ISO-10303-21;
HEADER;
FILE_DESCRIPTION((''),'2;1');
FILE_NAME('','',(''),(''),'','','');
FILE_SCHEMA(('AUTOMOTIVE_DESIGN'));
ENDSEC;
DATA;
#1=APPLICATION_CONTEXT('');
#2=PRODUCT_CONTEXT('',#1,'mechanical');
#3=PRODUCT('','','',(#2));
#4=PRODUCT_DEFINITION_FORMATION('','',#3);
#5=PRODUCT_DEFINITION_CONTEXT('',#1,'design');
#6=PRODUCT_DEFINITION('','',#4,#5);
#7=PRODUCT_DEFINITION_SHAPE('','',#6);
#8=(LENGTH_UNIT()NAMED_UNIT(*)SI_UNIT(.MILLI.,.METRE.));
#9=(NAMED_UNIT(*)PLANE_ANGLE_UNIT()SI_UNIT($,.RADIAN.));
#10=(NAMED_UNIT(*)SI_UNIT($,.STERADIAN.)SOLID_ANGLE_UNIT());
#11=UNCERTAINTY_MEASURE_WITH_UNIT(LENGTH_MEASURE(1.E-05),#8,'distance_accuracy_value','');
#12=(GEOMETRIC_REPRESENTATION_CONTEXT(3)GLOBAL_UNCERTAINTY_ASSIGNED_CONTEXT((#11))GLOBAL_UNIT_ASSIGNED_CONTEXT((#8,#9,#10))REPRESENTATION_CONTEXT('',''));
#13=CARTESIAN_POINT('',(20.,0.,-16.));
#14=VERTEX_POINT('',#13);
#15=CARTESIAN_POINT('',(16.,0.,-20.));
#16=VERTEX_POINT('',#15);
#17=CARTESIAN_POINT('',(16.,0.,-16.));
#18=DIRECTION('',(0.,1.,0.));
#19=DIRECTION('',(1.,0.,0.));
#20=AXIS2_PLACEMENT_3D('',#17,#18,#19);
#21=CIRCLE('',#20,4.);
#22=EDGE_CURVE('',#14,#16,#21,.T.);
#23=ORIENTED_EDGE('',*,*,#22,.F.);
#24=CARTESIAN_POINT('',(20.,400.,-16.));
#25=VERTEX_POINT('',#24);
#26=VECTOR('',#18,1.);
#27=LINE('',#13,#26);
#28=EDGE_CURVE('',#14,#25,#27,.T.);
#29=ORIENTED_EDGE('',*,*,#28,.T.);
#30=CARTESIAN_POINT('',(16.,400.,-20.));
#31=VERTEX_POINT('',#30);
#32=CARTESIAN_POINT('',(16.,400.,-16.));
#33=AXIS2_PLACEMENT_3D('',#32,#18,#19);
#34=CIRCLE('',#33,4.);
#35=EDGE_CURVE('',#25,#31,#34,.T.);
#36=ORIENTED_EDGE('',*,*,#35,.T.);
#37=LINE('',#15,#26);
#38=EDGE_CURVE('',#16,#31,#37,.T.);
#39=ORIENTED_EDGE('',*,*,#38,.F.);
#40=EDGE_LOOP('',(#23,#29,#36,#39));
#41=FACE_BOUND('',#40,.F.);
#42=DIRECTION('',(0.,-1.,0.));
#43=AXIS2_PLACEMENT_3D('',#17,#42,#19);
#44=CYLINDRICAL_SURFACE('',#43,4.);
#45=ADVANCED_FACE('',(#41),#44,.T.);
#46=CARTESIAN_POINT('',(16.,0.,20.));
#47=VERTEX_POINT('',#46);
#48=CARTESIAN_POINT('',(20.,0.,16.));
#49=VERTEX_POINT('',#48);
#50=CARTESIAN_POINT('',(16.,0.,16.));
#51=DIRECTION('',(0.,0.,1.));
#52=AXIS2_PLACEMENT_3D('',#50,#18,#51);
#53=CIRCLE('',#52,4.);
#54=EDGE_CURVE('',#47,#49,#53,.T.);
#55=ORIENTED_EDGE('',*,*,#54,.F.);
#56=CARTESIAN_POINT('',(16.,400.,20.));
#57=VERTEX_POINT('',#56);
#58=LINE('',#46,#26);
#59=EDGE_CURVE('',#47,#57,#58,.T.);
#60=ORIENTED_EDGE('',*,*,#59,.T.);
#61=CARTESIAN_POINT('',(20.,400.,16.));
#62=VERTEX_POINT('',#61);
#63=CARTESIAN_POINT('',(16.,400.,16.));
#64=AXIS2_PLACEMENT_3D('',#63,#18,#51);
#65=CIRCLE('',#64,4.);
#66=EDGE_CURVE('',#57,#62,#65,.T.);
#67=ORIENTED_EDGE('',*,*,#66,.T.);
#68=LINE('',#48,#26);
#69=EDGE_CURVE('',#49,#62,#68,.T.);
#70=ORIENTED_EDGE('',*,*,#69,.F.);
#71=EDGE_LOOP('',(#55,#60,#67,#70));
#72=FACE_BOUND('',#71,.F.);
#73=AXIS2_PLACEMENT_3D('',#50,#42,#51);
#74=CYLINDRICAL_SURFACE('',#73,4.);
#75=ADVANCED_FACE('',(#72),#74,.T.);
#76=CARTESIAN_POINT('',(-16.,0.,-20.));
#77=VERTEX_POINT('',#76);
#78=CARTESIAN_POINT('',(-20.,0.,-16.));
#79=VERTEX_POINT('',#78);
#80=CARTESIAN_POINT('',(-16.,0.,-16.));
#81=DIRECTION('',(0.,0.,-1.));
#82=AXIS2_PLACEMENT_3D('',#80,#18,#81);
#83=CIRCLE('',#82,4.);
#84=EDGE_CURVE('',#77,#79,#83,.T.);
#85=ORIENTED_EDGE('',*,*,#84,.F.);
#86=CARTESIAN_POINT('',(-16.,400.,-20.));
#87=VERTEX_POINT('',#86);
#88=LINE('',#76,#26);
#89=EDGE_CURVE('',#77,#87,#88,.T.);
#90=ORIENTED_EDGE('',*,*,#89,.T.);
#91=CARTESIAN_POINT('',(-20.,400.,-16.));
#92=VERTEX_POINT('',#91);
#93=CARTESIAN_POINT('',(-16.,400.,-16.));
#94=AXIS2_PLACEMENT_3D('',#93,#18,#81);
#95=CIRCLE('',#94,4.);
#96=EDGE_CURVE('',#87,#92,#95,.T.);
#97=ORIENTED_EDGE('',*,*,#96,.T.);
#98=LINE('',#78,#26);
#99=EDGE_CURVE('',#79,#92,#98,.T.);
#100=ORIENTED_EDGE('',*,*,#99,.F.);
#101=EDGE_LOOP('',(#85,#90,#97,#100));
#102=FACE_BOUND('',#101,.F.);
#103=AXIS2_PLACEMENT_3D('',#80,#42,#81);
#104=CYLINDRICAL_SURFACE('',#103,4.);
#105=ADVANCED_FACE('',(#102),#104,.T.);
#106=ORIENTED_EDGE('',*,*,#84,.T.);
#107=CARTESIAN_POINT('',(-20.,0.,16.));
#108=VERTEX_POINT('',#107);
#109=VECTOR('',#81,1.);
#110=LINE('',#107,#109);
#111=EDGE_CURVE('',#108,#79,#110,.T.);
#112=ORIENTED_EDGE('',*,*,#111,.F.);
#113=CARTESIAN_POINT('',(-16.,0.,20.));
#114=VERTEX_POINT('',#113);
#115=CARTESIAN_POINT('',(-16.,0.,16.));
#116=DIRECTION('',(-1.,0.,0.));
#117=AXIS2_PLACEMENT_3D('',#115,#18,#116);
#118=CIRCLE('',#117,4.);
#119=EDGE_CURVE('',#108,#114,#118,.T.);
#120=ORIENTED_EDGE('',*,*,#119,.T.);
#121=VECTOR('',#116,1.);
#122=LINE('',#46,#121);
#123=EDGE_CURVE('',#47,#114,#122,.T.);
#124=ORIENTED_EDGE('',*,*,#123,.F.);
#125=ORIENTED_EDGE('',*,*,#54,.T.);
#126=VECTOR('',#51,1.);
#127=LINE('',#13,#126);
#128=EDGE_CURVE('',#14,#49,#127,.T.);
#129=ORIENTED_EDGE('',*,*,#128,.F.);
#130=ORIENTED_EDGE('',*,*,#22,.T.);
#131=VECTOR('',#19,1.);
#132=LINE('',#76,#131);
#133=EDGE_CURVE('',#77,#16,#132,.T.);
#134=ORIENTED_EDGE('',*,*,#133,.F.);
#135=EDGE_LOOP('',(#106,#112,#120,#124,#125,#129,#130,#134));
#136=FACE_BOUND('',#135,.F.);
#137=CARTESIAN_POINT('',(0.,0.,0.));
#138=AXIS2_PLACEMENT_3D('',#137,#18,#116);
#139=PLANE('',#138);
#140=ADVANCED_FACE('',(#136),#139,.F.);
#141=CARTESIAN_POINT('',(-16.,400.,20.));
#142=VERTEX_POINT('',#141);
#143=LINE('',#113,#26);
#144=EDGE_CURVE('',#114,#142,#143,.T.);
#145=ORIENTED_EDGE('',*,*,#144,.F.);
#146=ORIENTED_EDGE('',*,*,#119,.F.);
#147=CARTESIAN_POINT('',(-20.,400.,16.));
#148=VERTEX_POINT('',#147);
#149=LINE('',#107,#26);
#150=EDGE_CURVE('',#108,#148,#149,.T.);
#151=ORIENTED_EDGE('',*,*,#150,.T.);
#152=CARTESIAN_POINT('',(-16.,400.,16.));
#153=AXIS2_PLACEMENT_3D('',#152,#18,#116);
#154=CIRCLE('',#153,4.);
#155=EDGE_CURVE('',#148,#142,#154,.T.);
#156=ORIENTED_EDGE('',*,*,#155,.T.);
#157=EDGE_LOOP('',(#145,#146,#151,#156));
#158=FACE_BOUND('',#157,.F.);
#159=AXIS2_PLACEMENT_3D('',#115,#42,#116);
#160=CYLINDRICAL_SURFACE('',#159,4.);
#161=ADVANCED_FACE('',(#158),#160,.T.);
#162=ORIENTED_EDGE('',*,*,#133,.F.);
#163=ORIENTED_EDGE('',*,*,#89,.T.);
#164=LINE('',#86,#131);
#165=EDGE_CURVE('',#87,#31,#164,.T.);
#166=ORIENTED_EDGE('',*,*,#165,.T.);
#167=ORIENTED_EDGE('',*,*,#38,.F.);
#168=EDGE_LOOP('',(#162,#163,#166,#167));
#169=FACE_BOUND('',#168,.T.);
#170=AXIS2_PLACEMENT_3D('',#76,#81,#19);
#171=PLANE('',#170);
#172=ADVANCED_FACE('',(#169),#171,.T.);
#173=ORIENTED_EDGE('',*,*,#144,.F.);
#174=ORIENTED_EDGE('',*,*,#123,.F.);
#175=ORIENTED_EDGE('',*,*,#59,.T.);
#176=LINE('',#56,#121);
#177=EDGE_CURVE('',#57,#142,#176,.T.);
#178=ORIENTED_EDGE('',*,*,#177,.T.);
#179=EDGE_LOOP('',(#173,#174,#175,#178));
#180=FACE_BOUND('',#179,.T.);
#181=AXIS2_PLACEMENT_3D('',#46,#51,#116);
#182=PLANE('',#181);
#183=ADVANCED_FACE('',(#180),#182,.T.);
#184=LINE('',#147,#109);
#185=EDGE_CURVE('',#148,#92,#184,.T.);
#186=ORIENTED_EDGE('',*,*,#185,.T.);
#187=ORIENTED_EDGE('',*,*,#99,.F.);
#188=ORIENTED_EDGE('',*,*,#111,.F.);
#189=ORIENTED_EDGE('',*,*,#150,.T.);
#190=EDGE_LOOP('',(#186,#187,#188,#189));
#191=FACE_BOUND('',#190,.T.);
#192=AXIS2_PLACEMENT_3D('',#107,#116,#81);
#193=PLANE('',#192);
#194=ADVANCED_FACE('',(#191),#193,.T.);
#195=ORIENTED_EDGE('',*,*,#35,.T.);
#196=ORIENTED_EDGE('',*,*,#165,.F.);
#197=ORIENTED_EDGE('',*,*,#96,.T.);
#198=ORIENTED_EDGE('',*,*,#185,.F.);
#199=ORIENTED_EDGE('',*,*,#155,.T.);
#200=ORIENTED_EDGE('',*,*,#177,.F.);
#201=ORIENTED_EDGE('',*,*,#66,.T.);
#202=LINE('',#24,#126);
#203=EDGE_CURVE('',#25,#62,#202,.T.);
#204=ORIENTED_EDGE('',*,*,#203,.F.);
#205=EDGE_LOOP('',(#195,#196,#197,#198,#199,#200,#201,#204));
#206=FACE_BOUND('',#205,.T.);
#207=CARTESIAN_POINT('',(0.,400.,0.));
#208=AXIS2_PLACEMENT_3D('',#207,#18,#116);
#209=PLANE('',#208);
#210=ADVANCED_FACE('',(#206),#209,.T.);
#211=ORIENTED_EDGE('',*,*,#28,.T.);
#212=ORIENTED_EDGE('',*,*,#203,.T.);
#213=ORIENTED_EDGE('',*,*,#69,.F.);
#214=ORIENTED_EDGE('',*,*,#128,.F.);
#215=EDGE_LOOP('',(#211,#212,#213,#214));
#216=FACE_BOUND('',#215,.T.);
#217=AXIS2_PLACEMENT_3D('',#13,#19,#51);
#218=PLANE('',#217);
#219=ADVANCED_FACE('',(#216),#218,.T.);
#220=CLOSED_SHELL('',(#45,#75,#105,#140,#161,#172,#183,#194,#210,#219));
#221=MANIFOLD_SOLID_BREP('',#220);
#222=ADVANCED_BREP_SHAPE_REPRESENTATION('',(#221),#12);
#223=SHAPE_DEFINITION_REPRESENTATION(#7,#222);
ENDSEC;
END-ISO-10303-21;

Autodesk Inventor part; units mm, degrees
ref_plane "YZ Plane" through (0, 0, 0) normal (1, 0, 0) x (0, 1, 0)
ref_plane "XZ Plane" through (0, 0, 0) normal (0, 1, 0) x (-1, 0, 0)
ref_plane "XY Plane" through (0, 0, 0) normal (0, 0, 1) x (1, 0, 0)
sketch "Sketch1" plane through (0, 0, 0) normal (0, 1, 0) x (-1, 0, 0)
  line L0 (12.8536, 0) -> (-12.8536, 0) construction
  line L1 (0, -18.0149) -> (0, 18.0149) construction
  line L2 (16, -20) -> (-16, -20)
  line L3 (-20, -16) -> (-20, 16)
  line L4 (-16, 20) -> (16, 20)
  line L5 (20, 16) -> (20, -16)
  arc A0 (-16, 20) -> (-20, 16) centre (-16, 16) ccw
  arc A1 (-20, -16) -> (-16, -20) centre (-16, -16) ccw
  arc A2 (16, -20) -> (20, -16) centre (16, -16) ccw
  arc A3 (20, 16) -> (16, 20) centre (16, 16) ccw
  point P0 (0, 0)
  point P1 (0, 0)
  point P2 (0, 0)
  point P3 (20, -20)
  point P4 (-20, 20)
  point P5 (-20, -20)
  point P6 (20, 20)
  dimension "d0" = 40
  dimension "d1" = 40
  dimension "d2" = 4
extrude "Extrusion1" add sketch "Sketch1" along normal blind 400
properties part number "Item4040RotorVerticalV1"
